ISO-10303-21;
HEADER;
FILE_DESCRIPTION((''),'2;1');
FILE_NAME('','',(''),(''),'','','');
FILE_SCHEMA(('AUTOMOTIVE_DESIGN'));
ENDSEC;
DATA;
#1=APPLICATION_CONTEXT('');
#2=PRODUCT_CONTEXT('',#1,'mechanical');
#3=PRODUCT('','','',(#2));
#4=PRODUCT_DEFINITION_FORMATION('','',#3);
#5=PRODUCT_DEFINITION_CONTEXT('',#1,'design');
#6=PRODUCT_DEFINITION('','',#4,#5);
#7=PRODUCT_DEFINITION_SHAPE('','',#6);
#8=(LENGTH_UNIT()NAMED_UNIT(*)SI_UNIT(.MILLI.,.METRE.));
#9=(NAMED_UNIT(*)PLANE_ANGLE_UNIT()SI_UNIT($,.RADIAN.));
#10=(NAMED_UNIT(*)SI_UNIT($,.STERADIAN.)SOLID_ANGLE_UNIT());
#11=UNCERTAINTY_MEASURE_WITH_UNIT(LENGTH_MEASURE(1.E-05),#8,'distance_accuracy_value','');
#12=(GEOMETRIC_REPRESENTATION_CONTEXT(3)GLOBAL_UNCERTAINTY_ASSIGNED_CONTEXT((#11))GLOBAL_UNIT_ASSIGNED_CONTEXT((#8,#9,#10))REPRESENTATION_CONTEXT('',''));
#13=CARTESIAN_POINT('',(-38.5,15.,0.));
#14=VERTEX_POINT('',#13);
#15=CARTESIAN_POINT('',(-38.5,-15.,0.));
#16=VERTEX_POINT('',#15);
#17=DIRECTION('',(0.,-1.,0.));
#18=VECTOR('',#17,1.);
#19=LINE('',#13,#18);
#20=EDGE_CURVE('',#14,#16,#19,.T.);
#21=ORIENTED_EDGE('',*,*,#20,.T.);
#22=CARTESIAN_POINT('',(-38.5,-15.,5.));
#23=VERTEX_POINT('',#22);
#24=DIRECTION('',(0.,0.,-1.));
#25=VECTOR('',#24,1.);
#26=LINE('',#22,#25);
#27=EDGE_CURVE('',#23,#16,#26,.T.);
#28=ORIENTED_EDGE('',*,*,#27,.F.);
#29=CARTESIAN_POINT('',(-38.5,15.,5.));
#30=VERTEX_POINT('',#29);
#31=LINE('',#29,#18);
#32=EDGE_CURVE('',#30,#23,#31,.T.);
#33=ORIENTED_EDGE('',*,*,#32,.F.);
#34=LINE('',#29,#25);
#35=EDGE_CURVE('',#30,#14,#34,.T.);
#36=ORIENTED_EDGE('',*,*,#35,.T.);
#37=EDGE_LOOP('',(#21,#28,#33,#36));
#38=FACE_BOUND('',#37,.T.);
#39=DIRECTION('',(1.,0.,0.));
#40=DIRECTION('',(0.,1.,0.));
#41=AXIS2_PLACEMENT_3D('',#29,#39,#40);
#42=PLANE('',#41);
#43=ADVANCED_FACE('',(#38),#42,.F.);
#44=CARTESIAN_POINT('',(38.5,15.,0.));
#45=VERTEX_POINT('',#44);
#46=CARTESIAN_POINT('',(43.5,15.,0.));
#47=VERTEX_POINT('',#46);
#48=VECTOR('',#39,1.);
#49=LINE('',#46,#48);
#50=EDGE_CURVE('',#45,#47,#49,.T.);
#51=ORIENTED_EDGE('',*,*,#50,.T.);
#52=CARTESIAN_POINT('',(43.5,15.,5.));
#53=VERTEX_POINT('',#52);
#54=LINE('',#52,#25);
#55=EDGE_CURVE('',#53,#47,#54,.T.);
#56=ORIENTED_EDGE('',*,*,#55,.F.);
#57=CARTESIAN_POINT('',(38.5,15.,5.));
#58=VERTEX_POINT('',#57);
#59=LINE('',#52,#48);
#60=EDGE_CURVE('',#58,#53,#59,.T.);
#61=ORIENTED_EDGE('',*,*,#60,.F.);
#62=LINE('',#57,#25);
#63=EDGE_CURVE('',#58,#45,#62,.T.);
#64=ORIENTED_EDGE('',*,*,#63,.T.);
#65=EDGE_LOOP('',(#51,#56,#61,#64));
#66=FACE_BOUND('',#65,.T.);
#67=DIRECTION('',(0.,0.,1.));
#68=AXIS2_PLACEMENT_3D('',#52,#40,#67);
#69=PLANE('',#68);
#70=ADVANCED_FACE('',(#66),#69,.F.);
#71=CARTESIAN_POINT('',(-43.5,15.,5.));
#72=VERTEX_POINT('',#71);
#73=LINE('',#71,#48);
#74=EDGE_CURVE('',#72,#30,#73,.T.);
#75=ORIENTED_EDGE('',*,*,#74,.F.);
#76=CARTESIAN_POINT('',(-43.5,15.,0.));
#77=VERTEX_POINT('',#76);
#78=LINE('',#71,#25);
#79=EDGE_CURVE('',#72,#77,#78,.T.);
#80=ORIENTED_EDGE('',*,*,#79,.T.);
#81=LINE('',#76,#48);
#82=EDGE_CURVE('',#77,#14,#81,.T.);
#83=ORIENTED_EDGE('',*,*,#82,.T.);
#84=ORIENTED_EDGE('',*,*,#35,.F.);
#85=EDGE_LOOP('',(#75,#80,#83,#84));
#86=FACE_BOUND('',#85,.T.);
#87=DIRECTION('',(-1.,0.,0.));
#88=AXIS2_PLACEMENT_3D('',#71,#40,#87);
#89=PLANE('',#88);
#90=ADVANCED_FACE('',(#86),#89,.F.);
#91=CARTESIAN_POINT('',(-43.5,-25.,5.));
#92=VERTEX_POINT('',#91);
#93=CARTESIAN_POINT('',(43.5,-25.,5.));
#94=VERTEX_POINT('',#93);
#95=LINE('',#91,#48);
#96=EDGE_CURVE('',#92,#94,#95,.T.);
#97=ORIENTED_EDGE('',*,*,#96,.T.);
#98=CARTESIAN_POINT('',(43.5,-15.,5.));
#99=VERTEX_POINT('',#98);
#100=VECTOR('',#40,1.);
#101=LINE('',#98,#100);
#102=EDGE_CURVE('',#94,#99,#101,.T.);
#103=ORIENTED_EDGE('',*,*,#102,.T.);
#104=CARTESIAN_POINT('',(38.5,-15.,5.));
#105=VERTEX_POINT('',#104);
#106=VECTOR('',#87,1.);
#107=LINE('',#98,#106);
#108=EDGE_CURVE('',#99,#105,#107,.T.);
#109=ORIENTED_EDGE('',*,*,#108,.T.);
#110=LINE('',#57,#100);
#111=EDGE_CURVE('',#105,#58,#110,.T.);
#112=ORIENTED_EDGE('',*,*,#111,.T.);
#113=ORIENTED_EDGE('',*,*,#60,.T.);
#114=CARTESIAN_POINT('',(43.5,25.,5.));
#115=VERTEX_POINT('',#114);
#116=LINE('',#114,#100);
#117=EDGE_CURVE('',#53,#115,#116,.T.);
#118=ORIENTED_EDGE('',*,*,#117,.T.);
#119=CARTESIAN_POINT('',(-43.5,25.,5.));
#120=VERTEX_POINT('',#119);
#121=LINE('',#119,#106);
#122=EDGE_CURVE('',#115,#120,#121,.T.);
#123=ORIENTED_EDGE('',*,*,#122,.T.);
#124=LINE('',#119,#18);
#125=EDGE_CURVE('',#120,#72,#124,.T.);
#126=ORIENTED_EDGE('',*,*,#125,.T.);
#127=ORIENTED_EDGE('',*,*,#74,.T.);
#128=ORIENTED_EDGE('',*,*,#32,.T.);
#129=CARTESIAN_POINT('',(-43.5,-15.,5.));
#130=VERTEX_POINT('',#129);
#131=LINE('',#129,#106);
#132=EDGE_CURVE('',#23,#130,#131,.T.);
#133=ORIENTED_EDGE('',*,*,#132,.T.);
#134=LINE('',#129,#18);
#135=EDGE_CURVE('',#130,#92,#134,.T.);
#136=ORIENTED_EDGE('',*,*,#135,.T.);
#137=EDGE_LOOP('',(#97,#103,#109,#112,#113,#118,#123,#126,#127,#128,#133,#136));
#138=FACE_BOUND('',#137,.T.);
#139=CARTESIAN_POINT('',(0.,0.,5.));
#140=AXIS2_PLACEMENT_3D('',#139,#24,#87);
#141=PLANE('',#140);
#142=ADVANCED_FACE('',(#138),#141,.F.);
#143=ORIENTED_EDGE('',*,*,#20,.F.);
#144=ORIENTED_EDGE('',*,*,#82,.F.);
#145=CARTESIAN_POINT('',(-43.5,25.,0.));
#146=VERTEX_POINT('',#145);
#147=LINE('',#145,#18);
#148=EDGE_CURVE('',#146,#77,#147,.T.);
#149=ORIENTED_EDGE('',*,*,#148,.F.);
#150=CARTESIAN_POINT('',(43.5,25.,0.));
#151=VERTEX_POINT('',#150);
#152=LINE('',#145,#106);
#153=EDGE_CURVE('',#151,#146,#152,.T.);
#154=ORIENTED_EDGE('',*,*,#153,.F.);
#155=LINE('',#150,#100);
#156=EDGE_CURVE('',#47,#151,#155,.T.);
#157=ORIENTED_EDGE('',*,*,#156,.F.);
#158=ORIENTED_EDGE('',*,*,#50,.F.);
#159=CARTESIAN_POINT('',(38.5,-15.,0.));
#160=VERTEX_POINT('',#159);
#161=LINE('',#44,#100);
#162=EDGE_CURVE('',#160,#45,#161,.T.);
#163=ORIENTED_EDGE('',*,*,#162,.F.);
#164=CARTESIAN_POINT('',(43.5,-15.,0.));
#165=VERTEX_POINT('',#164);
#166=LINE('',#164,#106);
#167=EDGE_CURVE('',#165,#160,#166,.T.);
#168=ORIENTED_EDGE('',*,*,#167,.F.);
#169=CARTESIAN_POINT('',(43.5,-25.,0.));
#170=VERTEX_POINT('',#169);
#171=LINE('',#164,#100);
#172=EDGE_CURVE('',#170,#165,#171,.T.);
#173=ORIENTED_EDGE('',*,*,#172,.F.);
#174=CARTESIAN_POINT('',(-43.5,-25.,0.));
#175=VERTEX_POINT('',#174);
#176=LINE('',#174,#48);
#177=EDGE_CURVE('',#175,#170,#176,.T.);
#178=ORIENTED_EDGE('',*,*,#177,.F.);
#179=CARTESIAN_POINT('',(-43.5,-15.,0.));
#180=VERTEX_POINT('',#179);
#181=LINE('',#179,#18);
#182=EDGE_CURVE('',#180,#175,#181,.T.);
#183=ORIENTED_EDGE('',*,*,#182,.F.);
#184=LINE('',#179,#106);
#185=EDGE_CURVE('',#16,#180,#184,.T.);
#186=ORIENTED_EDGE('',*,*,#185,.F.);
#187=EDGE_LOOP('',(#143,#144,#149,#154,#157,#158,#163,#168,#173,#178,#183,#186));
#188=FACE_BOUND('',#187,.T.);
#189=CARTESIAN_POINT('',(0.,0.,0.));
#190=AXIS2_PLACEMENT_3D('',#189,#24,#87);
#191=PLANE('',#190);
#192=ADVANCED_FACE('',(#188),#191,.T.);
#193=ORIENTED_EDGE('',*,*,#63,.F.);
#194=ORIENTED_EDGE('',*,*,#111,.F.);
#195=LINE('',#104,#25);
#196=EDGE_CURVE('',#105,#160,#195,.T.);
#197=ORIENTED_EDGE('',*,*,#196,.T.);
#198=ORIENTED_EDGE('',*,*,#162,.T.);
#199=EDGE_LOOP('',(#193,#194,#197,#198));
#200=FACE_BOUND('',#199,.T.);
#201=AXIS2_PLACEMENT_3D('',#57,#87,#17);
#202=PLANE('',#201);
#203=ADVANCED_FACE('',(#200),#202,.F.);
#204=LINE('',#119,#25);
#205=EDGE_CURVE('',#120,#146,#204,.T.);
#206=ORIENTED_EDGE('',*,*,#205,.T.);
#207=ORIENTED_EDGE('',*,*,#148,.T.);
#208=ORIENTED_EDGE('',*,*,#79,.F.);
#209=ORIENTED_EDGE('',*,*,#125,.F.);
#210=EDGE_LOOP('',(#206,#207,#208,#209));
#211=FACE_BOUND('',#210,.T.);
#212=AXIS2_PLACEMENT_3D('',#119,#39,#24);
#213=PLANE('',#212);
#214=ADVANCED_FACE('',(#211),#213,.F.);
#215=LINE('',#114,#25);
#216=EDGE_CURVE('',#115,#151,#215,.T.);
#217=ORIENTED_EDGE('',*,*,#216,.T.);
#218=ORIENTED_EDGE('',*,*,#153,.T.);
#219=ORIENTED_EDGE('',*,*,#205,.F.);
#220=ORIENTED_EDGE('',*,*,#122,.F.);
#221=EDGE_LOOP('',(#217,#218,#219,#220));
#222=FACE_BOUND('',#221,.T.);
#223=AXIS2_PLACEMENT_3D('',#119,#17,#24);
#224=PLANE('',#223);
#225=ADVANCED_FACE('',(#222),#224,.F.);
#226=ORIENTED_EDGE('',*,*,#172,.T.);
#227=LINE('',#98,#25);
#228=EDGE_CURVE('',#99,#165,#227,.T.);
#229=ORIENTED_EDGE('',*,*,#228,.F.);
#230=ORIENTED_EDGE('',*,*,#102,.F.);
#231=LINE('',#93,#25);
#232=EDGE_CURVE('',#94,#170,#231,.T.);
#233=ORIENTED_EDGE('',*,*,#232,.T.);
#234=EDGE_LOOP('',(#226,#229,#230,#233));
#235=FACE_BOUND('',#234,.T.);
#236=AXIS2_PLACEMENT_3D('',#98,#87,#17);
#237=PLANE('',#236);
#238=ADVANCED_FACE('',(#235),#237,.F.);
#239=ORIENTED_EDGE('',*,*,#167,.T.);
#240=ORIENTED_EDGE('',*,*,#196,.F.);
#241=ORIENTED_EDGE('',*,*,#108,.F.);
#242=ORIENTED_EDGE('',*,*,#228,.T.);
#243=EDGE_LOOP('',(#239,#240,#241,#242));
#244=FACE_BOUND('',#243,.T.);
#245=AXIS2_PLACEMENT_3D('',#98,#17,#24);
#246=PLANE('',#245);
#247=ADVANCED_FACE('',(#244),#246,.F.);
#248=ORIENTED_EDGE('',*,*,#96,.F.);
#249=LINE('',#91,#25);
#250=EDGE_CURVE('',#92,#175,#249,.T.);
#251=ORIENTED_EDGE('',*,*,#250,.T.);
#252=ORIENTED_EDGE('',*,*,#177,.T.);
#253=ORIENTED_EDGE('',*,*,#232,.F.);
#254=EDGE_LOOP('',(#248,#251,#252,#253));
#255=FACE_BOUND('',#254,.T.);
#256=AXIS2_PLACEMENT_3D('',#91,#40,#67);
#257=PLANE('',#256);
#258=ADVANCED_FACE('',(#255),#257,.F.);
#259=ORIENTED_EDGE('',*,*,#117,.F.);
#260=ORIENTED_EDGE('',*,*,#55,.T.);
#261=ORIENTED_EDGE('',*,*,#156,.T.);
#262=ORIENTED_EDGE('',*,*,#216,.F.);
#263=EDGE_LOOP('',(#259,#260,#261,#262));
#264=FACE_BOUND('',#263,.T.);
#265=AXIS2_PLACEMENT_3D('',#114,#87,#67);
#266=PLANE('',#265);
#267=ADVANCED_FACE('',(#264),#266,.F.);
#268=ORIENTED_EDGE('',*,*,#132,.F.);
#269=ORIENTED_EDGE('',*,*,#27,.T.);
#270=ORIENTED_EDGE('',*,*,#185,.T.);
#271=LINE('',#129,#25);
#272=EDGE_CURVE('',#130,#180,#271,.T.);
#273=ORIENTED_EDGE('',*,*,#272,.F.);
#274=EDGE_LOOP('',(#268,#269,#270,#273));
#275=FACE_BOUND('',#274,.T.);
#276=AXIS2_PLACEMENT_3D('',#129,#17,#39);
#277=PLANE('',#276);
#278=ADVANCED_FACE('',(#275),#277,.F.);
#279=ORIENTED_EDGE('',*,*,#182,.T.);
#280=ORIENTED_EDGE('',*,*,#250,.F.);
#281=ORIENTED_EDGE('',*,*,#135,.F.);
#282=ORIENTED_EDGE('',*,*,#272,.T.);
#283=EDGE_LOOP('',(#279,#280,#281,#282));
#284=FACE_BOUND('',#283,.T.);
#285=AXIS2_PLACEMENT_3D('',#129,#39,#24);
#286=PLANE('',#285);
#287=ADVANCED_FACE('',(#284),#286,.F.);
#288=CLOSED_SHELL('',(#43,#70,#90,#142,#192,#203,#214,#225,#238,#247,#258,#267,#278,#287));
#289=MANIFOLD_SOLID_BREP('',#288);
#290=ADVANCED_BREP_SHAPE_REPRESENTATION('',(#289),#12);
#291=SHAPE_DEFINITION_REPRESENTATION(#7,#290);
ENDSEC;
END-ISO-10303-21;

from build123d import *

# Parameters (mm, degrees)
BOSS_EXTRUDE1_DEPTH = 5


with BuildPart() as part:
    # Sketch1 → Boss-Extrude1 (new body)
    with BuildSketch(Plane.XY):
        Polygon((43.5, -15), (43.5, -25), (-43.5, -25), (-43.5, -15), (-38.5, -15), (-38.5, 15), (-43.5, 15), (-43.5, 25), (43.5, 25), (43.5, 15), (38.5, 15), (38.5, -15), align=None)
    extrude(amount=BOSS_EXTRUDE1_DEPTH)


solid = part.part
